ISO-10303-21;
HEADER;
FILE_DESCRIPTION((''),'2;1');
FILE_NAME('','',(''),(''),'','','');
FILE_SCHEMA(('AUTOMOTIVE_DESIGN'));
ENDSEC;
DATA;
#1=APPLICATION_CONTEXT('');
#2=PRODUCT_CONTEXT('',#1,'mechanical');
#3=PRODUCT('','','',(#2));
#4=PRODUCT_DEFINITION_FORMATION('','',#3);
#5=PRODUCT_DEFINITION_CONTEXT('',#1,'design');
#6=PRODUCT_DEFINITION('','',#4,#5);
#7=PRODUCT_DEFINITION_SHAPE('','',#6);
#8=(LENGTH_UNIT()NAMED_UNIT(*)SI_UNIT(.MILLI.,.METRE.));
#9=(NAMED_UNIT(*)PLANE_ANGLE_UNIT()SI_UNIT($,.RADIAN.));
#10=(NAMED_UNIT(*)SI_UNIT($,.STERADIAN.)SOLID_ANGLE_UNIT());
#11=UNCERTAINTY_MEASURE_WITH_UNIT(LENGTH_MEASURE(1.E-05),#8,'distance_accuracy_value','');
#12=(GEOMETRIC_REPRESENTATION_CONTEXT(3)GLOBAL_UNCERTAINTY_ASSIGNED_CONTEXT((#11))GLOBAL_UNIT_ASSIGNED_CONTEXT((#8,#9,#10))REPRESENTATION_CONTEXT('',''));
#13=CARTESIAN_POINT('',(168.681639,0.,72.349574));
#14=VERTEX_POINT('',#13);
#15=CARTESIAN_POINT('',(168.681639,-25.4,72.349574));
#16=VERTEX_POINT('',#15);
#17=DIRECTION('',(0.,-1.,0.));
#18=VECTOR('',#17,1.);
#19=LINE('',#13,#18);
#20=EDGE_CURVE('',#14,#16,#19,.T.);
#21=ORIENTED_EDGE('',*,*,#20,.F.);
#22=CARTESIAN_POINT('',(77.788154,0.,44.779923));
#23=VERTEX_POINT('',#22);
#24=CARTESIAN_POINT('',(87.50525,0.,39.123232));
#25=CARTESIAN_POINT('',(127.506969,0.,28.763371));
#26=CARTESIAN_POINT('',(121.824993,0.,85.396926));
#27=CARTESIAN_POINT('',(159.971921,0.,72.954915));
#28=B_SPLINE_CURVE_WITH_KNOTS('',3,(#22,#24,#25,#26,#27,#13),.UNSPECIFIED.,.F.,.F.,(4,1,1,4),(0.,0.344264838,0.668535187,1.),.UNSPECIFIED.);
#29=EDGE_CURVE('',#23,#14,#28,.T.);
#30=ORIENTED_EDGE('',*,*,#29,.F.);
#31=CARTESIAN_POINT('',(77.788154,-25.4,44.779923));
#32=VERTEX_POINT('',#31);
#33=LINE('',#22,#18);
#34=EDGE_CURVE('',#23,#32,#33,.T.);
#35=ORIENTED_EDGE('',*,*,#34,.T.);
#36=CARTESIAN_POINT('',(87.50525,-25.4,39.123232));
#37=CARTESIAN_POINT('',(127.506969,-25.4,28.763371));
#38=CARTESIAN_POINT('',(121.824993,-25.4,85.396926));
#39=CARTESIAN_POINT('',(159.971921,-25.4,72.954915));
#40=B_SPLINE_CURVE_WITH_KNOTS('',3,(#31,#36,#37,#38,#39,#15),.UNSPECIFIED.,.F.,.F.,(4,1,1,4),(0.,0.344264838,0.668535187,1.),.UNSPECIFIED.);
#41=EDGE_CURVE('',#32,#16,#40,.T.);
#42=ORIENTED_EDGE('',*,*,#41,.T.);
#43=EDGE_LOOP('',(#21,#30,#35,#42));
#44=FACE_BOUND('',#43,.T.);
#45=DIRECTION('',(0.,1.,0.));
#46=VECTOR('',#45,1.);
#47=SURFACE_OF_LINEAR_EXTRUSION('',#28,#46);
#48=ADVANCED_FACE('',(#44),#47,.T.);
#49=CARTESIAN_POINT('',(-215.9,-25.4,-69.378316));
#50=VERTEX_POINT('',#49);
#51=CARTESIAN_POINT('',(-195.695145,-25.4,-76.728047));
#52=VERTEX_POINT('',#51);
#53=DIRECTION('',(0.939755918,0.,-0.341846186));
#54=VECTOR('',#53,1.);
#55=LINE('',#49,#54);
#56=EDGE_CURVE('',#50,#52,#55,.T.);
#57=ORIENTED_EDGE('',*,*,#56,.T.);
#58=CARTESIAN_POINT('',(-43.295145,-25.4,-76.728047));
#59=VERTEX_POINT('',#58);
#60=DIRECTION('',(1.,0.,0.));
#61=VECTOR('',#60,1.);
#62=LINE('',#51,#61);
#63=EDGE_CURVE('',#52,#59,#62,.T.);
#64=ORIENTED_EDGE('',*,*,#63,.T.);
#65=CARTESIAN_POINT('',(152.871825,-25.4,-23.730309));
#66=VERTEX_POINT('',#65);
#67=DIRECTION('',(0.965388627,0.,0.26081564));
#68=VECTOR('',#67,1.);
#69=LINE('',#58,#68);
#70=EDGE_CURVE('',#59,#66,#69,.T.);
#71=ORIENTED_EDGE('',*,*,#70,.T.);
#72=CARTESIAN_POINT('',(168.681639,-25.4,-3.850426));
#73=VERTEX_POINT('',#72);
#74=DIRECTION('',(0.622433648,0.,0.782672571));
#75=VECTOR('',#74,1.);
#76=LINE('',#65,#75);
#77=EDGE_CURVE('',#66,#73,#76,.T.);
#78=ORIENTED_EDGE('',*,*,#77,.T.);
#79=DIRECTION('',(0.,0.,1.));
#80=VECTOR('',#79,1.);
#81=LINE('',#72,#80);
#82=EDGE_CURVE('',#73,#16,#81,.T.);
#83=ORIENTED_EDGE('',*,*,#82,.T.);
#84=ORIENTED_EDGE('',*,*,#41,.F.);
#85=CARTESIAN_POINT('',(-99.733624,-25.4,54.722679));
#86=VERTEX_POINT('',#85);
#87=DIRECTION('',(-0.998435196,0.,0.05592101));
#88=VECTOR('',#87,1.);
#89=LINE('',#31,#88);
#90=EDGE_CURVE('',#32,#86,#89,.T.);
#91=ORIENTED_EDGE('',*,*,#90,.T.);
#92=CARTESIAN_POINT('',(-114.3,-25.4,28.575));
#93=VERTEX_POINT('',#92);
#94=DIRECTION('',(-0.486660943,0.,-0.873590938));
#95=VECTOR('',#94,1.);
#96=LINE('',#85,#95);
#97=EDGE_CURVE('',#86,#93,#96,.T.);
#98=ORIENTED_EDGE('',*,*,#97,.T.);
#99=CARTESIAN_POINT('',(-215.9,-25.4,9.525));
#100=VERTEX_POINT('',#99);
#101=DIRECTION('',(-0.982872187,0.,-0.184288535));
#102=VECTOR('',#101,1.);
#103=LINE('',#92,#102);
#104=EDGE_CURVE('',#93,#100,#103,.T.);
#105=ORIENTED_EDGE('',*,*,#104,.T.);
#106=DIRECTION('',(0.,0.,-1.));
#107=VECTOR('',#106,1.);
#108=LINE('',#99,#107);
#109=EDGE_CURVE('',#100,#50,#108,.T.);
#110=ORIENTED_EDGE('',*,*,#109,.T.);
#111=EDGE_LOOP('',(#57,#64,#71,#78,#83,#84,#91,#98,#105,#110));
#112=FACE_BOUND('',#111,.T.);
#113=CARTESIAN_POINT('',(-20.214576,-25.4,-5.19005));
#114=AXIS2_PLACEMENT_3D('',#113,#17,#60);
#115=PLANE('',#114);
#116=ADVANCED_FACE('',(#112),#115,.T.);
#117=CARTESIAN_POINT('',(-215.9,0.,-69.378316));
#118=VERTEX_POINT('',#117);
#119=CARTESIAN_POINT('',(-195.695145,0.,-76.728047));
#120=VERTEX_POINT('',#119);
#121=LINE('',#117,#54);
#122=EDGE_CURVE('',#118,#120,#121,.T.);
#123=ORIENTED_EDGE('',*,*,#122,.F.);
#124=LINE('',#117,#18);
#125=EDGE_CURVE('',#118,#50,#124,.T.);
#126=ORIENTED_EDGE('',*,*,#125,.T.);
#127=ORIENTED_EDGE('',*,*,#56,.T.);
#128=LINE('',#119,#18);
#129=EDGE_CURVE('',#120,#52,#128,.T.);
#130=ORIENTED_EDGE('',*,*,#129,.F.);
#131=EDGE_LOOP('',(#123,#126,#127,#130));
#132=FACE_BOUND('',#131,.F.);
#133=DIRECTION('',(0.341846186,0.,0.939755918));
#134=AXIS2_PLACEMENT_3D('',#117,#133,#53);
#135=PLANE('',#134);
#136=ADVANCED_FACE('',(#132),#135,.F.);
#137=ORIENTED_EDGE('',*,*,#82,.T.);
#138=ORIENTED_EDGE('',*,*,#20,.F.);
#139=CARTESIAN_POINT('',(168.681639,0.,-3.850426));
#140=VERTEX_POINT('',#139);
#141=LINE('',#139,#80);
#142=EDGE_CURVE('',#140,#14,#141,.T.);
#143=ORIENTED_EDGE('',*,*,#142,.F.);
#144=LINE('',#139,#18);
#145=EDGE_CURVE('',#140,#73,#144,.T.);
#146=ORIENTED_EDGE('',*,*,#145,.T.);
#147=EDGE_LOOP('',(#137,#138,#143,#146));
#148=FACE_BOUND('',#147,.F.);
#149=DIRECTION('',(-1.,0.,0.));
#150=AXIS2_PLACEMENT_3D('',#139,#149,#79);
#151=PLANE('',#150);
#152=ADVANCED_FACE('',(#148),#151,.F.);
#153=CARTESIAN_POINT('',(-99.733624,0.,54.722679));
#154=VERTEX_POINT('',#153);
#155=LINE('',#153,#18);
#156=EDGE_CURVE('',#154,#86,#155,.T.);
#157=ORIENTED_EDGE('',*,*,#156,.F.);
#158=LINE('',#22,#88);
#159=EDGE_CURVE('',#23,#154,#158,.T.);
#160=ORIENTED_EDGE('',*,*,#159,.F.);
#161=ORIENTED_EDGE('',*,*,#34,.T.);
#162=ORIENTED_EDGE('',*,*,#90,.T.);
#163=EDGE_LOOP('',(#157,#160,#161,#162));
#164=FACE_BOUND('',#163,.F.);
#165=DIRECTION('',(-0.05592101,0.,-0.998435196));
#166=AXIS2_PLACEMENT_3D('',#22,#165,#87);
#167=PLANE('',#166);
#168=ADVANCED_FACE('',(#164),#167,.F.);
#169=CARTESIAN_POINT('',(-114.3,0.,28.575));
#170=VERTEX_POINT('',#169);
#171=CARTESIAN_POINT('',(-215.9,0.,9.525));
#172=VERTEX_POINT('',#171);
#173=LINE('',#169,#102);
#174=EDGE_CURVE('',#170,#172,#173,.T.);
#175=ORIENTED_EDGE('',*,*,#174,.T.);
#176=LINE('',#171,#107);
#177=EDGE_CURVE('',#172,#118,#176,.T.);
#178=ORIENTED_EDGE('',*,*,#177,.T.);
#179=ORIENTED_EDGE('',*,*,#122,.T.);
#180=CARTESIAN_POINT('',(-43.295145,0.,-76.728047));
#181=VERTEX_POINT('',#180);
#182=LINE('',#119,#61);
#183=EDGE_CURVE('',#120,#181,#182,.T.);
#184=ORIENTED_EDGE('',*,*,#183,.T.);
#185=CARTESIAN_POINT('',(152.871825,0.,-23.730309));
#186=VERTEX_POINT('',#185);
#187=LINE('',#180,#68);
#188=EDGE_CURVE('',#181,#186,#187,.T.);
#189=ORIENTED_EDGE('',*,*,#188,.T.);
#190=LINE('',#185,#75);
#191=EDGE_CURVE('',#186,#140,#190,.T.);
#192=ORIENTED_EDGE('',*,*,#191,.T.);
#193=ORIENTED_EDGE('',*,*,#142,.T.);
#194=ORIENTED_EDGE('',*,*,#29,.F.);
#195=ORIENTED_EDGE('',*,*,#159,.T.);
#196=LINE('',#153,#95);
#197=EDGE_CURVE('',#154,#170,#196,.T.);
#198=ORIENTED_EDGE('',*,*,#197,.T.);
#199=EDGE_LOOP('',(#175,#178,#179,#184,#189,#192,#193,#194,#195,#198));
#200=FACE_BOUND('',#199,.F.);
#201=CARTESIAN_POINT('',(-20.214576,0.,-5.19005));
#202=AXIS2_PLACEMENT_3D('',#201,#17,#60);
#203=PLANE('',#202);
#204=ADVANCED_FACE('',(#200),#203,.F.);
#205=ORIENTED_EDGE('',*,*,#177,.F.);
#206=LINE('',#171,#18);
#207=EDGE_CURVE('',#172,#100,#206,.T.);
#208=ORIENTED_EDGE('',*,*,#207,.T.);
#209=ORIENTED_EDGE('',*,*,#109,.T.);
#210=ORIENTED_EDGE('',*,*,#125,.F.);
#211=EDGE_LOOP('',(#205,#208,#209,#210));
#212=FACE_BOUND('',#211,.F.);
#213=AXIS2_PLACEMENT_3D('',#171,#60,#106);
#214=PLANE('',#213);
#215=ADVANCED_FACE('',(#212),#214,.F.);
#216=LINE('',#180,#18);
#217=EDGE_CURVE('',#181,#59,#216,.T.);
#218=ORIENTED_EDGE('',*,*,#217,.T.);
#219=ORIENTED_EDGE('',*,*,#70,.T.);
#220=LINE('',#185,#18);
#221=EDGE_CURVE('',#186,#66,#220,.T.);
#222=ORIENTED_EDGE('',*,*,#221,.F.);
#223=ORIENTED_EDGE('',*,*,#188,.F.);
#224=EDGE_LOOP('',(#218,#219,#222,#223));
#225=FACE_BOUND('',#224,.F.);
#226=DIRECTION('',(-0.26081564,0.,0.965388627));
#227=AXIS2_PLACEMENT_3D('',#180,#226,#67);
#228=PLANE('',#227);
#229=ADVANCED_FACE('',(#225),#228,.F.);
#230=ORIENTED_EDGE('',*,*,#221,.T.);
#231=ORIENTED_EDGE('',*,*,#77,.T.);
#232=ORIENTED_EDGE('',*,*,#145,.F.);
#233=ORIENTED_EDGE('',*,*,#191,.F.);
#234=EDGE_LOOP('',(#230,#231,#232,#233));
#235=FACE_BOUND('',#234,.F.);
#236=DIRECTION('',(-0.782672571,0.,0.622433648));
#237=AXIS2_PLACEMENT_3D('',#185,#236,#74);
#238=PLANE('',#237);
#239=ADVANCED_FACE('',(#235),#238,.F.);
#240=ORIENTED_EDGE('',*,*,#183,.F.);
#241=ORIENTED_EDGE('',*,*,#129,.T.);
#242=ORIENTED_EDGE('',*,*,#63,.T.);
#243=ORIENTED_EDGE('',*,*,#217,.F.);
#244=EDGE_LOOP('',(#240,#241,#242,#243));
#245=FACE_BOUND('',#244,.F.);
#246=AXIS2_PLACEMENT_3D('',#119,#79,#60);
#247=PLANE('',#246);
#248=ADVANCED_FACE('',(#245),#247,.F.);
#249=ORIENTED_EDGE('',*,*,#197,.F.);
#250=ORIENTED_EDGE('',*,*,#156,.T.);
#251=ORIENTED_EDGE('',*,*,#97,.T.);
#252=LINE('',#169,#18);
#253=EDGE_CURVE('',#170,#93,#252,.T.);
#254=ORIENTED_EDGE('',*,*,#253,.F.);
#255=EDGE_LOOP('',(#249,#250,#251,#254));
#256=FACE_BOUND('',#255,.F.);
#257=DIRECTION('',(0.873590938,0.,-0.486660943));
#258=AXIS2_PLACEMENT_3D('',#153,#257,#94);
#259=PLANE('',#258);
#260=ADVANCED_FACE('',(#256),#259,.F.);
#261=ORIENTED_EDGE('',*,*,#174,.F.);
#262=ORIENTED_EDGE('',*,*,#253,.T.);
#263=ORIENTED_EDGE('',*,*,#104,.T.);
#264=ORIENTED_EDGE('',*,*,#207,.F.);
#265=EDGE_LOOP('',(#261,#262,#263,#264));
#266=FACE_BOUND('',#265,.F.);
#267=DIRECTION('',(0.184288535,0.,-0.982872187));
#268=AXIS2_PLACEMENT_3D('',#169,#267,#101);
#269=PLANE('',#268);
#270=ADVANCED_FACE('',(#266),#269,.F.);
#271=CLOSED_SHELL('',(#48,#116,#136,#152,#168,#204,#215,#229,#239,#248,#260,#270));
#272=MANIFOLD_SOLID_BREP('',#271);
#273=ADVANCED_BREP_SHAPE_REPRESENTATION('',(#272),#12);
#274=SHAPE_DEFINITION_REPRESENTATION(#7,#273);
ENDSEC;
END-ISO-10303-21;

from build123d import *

# Parameters (mm, degrees)
F1_DEPTH = 25.4


with BuildPart() as f1:
    # F0 (on Front) → F1 (new body)
    with BuildSketch(Plane.XZ):
        with BuildLine():
            Line((-99.7336241621, 54.722678585), (-114.3, 28.575))
            Line((-114.3, 28.575), (-215.9, 9.525))
            Line((-215.9, 9.525), (-215.9, -69.3783164024))
            Line((-215.9, -69.3783164024), (-195.6951445265, -76.7280469468))
            Line((-195.6951445265, -76.7280469468), (-43.2951445265, -76.7280469468))
            Line((-43.2951445265, -76.7280469468), (152.8718245721, -23.7303089322))
            Line((152.8718245721, -23.7303089322), (168.681639242, -3.8504256301))
            Line((168.681639242, -3.8504256301), (168.681639242, 72.3495743699))
            add(Edge.make_bspline(
                [(77.7881536934, 44.7799230815), (87.5052503852, 39.1232319061), (127.5069692973, 28.7633708953), (121.8249925186, 85.3969261899), (159.9719213388, 72.9549145345), (168.681639242, 72.3495743699)],
                knots=[0, 0, 0, 0, 0.3442648382, 0.6685351867, 1, 1, 1, 1], degree=3))
            Line((77.7881536934, 44.7799230815), (-99.7336241621, 54.722678585))
        make_face()
    extrude(amount=F1_DEPTH)


solid = f1.part
